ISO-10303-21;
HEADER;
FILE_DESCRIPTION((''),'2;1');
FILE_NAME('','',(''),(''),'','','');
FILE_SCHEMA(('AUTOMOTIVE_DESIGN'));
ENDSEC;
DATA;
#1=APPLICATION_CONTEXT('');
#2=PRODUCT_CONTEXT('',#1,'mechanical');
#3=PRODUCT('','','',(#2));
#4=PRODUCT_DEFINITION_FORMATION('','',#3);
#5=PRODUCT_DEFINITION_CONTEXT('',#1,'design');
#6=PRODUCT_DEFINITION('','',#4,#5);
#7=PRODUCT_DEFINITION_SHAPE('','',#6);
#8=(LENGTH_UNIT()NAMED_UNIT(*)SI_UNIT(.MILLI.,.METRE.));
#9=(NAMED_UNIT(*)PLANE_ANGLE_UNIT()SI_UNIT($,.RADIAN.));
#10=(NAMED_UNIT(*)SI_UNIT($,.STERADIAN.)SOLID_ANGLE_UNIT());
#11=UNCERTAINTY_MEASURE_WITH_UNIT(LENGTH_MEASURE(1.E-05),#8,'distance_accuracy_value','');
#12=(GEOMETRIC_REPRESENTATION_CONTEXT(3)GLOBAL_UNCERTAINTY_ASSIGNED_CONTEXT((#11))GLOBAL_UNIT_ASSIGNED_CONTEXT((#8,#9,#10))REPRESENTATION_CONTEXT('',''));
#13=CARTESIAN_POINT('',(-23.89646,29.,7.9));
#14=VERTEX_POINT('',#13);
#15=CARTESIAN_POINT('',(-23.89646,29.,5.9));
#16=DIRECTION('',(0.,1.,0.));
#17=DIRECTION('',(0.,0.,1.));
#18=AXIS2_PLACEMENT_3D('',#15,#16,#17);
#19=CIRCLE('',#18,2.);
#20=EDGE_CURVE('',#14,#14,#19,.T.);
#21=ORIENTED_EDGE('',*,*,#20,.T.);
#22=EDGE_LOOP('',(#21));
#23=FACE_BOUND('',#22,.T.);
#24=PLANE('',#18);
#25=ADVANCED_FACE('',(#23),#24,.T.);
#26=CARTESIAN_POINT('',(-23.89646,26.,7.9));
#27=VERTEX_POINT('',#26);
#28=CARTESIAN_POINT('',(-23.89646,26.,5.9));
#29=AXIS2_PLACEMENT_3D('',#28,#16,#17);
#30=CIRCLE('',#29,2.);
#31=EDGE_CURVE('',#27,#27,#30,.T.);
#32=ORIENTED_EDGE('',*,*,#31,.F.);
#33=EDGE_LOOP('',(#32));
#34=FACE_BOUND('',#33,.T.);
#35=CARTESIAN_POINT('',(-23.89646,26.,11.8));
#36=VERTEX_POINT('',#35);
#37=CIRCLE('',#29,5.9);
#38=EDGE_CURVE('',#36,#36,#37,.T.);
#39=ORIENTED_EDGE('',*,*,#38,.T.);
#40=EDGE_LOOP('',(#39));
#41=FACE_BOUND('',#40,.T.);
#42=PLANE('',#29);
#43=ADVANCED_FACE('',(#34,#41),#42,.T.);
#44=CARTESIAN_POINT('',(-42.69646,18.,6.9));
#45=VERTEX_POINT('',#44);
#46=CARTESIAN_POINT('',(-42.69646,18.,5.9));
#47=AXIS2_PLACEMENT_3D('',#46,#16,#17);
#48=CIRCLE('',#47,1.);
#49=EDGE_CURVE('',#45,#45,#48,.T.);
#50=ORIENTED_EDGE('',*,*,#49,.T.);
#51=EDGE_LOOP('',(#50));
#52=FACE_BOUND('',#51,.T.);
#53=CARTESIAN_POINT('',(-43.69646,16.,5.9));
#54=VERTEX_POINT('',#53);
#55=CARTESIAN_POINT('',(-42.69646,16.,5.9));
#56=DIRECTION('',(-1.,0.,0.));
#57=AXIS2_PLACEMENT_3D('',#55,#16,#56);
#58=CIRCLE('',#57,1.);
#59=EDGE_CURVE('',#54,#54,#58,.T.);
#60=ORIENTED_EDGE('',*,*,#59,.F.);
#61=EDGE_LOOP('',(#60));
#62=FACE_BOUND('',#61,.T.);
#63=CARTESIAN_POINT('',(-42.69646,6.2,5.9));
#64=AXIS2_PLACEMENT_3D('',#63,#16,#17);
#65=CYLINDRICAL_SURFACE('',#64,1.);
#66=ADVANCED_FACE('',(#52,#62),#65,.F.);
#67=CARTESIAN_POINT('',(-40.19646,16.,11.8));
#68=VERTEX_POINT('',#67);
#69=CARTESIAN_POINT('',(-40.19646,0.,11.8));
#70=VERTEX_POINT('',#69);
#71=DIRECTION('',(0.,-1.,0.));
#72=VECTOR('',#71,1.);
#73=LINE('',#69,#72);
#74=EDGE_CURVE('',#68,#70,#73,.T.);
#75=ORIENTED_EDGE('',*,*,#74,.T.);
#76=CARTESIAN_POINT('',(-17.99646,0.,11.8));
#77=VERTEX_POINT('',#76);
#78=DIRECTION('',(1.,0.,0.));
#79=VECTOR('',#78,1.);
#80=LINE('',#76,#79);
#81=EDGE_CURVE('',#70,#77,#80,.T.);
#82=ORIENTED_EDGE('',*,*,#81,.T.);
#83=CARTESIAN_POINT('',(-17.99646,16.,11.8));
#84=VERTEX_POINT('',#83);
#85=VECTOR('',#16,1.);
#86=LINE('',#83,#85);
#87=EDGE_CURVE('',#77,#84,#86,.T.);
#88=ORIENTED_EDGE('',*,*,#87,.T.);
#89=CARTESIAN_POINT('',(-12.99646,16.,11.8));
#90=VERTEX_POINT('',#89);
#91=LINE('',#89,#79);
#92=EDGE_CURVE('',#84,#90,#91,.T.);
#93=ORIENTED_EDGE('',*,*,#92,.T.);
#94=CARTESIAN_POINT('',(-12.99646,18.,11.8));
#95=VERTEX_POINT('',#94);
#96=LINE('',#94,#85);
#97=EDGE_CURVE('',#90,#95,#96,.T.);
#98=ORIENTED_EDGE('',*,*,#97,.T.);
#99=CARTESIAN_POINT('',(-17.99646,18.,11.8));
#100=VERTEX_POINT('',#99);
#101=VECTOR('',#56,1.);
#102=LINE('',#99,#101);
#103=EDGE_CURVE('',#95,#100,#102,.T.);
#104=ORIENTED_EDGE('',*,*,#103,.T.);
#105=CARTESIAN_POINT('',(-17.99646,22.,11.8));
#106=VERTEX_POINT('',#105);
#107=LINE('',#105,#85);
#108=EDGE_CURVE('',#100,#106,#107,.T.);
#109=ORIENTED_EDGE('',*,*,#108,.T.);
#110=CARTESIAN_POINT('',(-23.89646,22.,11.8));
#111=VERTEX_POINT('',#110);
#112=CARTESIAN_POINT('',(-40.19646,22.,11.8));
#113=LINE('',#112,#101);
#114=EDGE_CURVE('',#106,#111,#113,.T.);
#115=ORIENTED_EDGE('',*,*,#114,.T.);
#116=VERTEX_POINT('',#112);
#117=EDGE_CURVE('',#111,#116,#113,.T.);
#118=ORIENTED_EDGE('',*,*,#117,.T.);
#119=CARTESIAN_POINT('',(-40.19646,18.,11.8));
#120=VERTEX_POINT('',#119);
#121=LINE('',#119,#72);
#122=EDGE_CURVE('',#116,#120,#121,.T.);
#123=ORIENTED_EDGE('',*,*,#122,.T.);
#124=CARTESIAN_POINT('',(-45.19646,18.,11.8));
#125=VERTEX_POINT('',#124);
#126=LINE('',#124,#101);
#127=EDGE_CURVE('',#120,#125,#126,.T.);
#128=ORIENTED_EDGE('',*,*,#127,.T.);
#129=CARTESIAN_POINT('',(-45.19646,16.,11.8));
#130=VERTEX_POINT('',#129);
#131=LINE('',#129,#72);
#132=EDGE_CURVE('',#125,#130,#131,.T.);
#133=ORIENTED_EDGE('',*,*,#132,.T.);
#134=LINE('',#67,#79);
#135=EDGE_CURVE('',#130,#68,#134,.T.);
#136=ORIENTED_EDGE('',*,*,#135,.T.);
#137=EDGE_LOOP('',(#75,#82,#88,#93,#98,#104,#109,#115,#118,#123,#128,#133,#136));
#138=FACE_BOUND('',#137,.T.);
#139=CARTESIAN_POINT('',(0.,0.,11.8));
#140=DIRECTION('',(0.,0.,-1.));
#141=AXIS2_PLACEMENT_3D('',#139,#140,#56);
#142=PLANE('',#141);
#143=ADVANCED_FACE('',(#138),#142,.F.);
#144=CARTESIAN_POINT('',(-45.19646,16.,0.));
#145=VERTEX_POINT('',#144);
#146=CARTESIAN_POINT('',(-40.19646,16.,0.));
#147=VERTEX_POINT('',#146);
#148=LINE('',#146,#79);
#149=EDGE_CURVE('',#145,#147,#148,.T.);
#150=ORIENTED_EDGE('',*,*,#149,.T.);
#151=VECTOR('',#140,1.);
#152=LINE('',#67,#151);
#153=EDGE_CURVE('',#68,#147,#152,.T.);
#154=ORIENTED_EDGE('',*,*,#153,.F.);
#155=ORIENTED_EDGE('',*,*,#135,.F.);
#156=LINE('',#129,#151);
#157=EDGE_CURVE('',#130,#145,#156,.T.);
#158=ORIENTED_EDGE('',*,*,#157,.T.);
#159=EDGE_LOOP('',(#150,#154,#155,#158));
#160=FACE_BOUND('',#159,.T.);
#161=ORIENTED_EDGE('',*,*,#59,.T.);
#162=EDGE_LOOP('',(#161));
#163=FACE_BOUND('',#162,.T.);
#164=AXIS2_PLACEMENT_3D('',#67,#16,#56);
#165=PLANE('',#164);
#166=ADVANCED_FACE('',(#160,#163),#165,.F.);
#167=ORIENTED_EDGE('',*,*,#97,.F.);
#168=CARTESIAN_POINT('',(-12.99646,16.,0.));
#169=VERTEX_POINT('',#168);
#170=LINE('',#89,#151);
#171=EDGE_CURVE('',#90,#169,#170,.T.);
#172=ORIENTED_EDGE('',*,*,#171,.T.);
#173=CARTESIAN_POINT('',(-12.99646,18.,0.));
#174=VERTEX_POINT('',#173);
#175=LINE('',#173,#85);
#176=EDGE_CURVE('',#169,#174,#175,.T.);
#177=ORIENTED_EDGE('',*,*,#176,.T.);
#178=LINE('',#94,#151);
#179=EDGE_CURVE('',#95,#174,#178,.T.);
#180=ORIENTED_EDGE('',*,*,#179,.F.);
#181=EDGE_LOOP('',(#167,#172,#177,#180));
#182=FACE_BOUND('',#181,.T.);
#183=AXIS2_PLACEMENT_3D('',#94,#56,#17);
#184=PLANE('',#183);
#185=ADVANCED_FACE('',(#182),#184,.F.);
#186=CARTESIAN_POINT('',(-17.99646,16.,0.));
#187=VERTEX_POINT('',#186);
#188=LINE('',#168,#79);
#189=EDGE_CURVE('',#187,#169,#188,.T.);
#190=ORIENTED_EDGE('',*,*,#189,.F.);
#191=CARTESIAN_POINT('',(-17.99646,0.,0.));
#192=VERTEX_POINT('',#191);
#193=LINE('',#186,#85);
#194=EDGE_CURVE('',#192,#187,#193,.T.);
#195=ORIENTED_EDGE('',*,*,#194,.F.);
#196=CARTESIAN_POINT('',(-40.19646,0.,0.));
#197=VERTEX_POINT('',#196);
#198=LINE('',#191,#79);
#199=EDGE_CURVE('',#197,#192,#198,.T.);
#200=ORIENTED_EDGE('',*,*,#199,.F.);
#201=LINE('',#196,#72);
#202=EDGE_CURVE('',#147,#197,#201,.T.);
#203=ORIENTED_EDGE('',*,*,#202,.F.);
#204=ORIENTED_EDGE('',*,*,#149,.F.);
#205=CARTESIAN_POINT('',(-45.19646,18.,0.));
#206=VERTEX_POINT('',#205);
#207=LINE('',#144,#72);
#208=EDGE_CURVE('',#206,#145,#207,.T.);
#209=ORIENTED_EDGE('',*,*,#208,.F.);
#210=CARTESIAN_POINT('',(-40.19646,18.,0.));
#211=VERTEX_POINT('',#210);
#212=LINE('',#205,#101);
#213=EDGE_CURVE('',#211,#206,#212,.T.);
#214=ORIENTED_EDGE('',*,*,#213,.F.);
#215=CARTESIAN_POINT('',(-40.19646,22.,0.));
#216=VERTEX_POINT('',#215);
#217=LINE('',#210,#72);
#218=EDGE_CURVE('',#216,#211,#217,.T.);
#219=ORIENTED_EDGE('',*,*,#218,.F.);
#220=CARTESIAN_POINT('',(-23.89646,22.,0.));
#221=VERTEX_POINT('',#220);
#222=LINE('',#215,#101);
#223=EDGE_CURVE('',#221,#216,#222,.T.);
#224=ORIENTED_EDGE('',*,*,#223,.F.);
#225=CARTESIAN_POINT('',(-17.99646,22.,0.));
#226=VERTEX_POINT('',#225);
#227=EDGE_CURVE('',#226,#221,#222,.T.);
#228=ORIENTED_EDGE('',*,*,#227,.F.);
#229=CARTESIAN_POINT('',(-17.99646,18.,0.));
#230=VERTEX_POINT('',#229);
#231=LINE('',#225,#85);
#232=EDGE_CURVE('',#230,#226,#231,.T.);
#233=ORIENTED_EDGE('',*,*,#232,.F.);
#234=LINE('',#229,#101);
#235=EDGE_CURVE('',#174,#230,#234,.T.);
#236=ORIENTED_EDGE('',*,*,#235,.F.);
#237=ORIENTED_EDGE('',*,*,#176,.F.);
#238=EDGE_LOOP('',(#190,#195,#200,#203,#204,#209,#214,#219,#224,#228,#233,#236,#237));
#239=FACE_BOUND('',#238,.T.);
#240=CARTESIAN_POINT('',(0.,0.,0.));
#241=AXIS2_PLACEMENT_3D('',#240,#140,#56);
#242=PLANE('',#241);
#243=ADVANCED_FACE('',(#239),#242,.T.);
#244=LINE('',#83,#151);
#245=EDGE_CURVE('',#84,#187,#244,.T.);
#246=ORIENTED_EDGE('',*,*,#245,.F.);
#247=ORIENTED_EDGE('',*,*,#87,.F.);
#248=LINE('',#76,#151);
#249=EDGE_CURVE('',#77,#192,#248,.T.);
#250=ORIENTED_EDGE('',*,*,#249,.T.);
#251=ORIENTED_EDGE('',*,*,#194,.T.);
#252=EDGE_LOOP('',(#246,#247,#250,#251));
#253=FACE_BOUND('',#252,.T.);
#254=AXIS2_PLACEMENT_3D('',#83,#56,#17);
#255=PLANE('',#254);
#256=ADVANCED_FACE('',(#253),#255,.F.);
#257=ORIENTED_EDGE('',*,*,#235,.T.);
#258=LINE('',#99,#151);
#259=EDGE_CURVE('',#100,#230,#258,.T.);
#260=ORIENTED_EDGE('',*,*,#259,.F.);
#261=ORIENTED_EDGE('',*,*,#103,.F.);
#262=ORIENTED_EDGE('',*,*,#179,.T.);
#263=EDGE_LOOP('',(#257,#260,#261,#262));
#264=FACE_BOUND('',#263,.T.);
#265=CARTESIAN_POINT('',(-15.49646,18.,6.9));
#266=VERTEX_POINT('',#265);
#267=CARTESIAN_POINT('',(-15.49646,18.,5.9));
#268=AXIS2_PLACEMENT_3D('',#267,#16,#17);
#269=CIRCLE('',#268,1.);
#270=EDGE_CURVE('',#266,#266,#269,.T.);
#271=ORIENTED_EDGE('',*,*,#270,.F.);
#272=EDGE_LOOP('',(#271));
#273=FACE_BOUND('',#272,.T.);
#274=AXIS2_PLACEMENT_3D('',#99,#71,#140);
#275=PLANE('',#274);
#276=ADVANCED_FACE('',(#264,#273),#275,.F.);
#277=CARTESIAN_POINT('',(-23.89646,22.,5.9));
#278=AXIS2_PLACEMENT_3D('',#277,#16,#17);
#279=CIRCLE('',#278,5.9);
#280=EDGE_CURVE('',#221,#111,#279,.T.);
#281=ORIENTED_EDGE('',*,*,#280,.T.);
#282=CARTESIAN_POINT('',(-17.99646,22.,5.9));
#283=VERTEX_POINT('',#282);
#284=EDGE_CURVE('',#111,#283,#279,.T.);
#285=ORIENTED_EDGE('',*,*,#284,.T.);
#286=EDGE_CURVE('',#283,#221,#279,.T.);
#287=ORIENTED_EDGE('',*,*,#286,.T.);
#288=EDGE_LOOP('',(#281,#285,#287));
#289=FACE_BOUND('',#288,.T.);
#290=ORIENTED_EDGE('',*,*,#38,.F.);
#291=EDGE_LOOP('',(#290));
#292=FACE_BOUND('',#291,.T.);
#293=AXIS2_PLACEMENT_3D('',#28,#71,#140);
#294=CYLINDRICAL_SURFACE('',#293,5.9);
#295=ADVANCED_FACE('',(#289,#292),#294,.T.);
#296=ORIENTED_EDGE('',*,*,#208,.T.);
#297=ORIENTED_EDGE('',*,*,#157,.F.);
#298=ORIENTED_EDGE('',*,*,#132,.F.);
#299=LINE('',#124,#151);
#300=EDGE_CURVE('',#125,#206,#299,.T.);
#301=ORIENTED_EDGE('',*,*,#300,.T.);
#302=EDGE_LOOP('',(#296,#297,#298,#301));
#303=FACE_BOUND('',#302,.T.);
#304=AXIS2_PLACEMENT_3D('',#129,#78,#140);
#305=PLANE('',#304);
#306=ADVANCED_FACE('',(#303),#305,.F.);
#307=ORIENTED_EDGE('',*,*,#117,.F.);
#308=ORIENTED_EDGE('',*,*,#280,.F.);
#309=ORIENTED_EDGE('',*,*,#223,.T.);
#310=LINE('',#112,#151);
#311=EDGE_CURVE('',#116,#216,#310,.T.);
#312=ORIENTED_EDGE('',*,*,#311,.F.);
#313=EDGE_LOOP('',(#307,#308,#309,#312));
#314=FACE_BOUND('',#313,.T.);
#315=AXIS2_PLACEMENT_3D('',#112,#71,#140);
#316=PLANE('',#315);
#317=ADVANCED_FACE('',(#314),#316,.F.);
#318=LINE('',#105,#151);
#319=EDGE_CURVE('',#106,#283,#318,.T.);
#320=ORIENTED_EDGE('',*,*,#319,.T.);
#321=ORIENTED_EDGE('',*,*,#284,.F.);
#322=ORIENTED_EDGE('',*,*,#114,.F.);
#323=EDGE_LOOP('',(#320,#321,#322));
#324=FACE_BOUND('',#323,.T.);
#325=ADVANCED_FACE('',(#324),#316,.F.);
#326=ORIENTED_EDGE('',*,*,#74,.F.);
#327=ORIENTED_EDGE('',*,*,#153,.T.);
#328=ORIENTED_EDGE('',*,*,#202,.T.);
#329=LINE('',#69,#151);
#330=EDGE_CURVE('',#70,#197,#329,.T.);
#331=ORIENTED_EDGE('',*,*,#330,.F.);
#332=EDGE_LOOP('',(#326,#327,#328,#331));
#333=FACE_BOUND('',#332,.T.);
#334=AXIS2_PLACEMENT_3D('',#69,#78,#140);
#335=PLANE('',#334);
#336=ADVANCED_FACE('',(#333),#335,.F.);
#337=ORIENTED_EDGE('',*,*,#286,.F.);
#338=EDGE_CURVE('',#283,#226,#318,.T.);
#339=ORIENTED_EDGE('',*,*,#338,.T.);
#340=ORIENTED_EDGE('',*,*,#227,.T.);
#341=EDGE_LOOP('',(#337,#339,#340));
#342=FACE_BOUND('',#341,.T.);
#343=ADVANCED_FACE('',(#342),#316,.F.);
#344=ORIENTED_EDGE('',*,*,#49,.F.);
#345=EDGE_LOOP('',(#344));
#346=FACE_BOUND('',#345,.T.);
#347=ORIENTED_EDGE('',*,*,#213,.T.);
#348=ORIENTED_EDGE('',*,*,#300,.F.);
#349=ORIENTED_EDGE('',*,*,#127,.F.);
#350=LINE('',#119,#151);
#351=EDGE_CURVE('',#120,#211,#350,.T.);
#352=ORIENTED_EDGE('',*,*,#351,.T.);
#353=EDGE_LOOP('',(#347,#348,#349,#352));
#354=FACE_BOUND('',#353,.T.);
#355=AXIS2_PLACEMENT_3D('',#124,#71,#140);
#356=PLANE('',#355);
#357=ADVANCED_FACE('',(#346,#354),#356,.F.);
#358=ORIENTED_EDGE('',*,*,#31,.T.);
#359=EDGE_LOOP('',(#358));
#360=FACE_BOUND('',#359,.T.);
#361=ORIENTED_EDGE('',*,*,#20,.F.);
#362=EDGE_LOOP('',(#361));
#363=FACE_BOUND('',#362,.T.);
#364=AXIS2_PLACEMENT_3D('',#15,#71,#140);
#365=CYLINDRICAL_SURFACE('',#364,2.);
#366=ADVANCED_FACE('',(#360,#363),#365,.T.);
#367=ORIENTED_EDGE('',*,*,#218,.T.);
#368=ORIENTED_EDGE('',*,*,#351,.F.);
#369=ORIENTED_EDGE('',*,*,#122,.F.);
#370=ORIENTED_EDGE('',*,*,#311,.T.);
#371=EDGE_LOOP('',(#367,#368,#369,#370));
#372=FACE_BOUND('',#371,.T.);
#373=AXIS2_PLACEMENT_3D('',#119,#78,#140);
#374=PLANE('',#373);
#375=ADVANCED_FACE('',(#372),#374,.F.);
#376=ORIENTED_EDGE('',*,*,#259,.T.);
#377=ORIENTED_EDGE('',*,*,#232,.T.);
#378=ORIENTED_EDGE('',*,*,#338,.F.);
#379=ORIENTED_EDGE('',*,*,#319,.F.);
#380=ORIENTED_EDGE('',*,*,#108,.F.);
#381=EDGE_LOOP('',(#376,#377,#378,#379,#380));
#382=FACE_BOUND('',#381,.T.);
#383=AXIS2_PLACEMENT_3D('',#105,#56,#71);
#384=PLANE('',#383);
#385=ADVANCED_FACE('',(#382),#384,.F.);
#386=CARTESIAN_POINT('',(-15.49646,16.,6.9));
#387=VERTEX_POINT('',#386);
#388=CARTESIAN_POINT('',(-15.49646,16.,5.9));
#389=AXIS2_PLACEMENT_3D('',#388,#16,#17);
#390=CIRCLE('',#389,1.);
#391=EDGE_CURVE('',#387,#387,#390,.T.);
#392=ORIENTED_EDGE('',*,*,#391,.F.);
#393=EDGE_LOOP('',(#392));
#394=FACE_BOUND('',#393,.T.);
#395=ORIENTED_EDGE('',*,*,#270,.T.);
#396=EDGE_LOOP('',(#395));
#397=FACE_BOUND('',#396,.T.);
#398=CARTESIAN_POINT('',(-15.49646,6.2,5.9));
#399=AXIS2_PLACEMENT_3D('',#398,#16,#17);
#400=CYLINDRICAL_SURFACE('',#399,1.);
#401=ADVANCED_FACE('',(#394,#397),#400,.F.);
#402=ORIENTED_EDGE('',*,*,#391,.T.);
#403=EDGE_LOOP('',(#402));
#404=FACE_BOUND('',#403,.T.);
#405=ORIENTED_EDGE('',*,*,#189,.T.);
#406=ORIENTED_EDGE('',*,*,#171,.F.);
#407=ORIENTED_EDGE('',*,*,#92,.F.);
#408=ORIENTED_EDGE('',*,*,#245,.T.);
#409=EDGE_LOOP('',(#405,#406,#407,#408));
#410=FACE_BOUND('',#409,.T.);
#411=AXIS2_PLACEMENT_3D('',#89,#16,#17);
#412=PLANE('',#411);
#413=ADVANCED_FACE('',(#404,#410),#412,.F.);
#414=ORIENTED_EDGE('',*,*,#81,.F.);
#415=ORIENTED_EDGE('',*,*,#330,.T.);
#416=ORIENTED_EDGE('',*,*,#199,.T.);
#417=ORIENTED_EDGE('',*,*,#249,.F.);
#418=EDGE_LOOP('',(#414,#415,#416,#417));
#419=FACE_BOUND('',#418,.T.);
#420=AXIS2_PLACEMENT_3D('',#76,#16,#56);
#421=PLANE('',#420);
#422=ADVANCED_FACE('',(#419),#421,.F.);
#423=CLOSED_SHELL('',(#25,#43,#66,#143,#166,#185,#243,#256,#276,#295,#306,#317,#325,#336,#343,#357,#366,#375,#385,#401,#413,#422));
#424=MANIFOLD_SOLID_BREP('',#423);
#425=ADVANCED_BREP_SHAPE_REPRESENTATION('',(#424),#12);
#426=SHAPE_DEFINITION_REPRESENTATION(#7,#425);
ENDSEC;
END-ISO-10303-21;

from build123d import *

# Parameters (mm, degrees)
BOSS_EXTRU_1_DEPTH      = 11.8
ESQUISSE2_R             = 1
ENL_V_MAT_EXTRU_1_DEPTH = 11.8
ESQUISSE3_R             = 5.9
BOSS_EXTRU_2_DEPTH      = 4
ESQUISSE4_R             = 2
BOSS_EXTRU_3_DEPTH      = 3
ESQUISSE5_W             = 5
ESQUISSE5_H             = 4
BOSS_EXTRU_4_DEPTH      = 3
ESQUISSE6_W             = 3
ESQUISSE6_H             = 5
ENL_V_MAT_EXTRU_2_DEPTH = 10


with BuildPart() as part:
    # Esquisse1 → Boss.-Extru.1 (new body)
    with BuildSketch(Plane.XY):
        Polygon((-45.196459949, 18), (-40.196459949, 18), (-40.196459949, 22), (-17.996459949, 22), (-17.996459949, 18), (-12.996459949, 18), (-12.996459949, 16), (-17.996459949, 16), (-17.996459949, 0), (-40.196459949, 0), (-40.196459949, 16), (-45.196459949, 16), align=None)
    extrude(amount=BOSS_EXTRU_1_DEPTH)

    # Esquisse2 → Enlèv. mat.-Extru.1 (cut)
    with BuildSketch(Plane(origin=(0, 18, 0), x_dir=(1, 0, 0), z_dir=(0, 1, 0))):
        with Locations((-42.696459949, -5.9)):
            Circle(ESQUISSE2_R)
        with Locations((-15.496459949, -5.9)):
            Circle(ESQUISSE2_R)
    extrude(amount=-ENL_V_MAT_EXTRU_1_DEPTH, mode=Mode.SUBTRACT)

    # Esquisse3 → Boss.-Extru.2 (add)
    with BuildSketch(Plane(origin=(0, 22, 0), x_dir=(1, 0, 0), z_dir=(0, 1, 0))):
        with Locations((-23.896459949, -5.9)):
            Circle(ESQUISSE3_R)
    extrude(amount=BOSS_EXTRU_2_DEPTH)

    # Esquisse4 → Boss.-Extru.3 (add)
    with BuildSketch(Plane(origin=(0, 26, 0), x_dir=(1, 0, 0), z_dir=(0, 1, 0))):
        with Locations((-23.896459949, -5.9)):
            Circle(ESQUISSE4_R)
    extrude(amount=BOSS_EXTRU_3_DEPTH)

    # Esquisse5 → Boss.-Extru.4 (add)
    with BuildSketch(Plane(origin=(-17.996459949, 0, 0), x_dir=(0, 0, -1), z_dir=(1, 0, 0))):
        with Locations((-5.8, 5)):
            Rectangle(ESQUISSE5_W, ESQUISSE5_H)
    extrude(amount=BOSS_EXTRU_4_DEPTH)

    # Esquisse6 → Enlèv. mat.-Extru.2 (cut)
    with BuildSketch(Plane(origin=(0, 7, 0), x_dir=(1, 0, 0), z_dir=(0, 1, 0))):
        with Locations((-16.496459949, -5.8)):
            Rectangle(ESQUISSE6_W, ESQUISSE6_H)
    extrude(amount=-ENL_V_MAT_EXTRU_2_DEPTH, mode=Mode.SUBTRACT)


solid = part.part
